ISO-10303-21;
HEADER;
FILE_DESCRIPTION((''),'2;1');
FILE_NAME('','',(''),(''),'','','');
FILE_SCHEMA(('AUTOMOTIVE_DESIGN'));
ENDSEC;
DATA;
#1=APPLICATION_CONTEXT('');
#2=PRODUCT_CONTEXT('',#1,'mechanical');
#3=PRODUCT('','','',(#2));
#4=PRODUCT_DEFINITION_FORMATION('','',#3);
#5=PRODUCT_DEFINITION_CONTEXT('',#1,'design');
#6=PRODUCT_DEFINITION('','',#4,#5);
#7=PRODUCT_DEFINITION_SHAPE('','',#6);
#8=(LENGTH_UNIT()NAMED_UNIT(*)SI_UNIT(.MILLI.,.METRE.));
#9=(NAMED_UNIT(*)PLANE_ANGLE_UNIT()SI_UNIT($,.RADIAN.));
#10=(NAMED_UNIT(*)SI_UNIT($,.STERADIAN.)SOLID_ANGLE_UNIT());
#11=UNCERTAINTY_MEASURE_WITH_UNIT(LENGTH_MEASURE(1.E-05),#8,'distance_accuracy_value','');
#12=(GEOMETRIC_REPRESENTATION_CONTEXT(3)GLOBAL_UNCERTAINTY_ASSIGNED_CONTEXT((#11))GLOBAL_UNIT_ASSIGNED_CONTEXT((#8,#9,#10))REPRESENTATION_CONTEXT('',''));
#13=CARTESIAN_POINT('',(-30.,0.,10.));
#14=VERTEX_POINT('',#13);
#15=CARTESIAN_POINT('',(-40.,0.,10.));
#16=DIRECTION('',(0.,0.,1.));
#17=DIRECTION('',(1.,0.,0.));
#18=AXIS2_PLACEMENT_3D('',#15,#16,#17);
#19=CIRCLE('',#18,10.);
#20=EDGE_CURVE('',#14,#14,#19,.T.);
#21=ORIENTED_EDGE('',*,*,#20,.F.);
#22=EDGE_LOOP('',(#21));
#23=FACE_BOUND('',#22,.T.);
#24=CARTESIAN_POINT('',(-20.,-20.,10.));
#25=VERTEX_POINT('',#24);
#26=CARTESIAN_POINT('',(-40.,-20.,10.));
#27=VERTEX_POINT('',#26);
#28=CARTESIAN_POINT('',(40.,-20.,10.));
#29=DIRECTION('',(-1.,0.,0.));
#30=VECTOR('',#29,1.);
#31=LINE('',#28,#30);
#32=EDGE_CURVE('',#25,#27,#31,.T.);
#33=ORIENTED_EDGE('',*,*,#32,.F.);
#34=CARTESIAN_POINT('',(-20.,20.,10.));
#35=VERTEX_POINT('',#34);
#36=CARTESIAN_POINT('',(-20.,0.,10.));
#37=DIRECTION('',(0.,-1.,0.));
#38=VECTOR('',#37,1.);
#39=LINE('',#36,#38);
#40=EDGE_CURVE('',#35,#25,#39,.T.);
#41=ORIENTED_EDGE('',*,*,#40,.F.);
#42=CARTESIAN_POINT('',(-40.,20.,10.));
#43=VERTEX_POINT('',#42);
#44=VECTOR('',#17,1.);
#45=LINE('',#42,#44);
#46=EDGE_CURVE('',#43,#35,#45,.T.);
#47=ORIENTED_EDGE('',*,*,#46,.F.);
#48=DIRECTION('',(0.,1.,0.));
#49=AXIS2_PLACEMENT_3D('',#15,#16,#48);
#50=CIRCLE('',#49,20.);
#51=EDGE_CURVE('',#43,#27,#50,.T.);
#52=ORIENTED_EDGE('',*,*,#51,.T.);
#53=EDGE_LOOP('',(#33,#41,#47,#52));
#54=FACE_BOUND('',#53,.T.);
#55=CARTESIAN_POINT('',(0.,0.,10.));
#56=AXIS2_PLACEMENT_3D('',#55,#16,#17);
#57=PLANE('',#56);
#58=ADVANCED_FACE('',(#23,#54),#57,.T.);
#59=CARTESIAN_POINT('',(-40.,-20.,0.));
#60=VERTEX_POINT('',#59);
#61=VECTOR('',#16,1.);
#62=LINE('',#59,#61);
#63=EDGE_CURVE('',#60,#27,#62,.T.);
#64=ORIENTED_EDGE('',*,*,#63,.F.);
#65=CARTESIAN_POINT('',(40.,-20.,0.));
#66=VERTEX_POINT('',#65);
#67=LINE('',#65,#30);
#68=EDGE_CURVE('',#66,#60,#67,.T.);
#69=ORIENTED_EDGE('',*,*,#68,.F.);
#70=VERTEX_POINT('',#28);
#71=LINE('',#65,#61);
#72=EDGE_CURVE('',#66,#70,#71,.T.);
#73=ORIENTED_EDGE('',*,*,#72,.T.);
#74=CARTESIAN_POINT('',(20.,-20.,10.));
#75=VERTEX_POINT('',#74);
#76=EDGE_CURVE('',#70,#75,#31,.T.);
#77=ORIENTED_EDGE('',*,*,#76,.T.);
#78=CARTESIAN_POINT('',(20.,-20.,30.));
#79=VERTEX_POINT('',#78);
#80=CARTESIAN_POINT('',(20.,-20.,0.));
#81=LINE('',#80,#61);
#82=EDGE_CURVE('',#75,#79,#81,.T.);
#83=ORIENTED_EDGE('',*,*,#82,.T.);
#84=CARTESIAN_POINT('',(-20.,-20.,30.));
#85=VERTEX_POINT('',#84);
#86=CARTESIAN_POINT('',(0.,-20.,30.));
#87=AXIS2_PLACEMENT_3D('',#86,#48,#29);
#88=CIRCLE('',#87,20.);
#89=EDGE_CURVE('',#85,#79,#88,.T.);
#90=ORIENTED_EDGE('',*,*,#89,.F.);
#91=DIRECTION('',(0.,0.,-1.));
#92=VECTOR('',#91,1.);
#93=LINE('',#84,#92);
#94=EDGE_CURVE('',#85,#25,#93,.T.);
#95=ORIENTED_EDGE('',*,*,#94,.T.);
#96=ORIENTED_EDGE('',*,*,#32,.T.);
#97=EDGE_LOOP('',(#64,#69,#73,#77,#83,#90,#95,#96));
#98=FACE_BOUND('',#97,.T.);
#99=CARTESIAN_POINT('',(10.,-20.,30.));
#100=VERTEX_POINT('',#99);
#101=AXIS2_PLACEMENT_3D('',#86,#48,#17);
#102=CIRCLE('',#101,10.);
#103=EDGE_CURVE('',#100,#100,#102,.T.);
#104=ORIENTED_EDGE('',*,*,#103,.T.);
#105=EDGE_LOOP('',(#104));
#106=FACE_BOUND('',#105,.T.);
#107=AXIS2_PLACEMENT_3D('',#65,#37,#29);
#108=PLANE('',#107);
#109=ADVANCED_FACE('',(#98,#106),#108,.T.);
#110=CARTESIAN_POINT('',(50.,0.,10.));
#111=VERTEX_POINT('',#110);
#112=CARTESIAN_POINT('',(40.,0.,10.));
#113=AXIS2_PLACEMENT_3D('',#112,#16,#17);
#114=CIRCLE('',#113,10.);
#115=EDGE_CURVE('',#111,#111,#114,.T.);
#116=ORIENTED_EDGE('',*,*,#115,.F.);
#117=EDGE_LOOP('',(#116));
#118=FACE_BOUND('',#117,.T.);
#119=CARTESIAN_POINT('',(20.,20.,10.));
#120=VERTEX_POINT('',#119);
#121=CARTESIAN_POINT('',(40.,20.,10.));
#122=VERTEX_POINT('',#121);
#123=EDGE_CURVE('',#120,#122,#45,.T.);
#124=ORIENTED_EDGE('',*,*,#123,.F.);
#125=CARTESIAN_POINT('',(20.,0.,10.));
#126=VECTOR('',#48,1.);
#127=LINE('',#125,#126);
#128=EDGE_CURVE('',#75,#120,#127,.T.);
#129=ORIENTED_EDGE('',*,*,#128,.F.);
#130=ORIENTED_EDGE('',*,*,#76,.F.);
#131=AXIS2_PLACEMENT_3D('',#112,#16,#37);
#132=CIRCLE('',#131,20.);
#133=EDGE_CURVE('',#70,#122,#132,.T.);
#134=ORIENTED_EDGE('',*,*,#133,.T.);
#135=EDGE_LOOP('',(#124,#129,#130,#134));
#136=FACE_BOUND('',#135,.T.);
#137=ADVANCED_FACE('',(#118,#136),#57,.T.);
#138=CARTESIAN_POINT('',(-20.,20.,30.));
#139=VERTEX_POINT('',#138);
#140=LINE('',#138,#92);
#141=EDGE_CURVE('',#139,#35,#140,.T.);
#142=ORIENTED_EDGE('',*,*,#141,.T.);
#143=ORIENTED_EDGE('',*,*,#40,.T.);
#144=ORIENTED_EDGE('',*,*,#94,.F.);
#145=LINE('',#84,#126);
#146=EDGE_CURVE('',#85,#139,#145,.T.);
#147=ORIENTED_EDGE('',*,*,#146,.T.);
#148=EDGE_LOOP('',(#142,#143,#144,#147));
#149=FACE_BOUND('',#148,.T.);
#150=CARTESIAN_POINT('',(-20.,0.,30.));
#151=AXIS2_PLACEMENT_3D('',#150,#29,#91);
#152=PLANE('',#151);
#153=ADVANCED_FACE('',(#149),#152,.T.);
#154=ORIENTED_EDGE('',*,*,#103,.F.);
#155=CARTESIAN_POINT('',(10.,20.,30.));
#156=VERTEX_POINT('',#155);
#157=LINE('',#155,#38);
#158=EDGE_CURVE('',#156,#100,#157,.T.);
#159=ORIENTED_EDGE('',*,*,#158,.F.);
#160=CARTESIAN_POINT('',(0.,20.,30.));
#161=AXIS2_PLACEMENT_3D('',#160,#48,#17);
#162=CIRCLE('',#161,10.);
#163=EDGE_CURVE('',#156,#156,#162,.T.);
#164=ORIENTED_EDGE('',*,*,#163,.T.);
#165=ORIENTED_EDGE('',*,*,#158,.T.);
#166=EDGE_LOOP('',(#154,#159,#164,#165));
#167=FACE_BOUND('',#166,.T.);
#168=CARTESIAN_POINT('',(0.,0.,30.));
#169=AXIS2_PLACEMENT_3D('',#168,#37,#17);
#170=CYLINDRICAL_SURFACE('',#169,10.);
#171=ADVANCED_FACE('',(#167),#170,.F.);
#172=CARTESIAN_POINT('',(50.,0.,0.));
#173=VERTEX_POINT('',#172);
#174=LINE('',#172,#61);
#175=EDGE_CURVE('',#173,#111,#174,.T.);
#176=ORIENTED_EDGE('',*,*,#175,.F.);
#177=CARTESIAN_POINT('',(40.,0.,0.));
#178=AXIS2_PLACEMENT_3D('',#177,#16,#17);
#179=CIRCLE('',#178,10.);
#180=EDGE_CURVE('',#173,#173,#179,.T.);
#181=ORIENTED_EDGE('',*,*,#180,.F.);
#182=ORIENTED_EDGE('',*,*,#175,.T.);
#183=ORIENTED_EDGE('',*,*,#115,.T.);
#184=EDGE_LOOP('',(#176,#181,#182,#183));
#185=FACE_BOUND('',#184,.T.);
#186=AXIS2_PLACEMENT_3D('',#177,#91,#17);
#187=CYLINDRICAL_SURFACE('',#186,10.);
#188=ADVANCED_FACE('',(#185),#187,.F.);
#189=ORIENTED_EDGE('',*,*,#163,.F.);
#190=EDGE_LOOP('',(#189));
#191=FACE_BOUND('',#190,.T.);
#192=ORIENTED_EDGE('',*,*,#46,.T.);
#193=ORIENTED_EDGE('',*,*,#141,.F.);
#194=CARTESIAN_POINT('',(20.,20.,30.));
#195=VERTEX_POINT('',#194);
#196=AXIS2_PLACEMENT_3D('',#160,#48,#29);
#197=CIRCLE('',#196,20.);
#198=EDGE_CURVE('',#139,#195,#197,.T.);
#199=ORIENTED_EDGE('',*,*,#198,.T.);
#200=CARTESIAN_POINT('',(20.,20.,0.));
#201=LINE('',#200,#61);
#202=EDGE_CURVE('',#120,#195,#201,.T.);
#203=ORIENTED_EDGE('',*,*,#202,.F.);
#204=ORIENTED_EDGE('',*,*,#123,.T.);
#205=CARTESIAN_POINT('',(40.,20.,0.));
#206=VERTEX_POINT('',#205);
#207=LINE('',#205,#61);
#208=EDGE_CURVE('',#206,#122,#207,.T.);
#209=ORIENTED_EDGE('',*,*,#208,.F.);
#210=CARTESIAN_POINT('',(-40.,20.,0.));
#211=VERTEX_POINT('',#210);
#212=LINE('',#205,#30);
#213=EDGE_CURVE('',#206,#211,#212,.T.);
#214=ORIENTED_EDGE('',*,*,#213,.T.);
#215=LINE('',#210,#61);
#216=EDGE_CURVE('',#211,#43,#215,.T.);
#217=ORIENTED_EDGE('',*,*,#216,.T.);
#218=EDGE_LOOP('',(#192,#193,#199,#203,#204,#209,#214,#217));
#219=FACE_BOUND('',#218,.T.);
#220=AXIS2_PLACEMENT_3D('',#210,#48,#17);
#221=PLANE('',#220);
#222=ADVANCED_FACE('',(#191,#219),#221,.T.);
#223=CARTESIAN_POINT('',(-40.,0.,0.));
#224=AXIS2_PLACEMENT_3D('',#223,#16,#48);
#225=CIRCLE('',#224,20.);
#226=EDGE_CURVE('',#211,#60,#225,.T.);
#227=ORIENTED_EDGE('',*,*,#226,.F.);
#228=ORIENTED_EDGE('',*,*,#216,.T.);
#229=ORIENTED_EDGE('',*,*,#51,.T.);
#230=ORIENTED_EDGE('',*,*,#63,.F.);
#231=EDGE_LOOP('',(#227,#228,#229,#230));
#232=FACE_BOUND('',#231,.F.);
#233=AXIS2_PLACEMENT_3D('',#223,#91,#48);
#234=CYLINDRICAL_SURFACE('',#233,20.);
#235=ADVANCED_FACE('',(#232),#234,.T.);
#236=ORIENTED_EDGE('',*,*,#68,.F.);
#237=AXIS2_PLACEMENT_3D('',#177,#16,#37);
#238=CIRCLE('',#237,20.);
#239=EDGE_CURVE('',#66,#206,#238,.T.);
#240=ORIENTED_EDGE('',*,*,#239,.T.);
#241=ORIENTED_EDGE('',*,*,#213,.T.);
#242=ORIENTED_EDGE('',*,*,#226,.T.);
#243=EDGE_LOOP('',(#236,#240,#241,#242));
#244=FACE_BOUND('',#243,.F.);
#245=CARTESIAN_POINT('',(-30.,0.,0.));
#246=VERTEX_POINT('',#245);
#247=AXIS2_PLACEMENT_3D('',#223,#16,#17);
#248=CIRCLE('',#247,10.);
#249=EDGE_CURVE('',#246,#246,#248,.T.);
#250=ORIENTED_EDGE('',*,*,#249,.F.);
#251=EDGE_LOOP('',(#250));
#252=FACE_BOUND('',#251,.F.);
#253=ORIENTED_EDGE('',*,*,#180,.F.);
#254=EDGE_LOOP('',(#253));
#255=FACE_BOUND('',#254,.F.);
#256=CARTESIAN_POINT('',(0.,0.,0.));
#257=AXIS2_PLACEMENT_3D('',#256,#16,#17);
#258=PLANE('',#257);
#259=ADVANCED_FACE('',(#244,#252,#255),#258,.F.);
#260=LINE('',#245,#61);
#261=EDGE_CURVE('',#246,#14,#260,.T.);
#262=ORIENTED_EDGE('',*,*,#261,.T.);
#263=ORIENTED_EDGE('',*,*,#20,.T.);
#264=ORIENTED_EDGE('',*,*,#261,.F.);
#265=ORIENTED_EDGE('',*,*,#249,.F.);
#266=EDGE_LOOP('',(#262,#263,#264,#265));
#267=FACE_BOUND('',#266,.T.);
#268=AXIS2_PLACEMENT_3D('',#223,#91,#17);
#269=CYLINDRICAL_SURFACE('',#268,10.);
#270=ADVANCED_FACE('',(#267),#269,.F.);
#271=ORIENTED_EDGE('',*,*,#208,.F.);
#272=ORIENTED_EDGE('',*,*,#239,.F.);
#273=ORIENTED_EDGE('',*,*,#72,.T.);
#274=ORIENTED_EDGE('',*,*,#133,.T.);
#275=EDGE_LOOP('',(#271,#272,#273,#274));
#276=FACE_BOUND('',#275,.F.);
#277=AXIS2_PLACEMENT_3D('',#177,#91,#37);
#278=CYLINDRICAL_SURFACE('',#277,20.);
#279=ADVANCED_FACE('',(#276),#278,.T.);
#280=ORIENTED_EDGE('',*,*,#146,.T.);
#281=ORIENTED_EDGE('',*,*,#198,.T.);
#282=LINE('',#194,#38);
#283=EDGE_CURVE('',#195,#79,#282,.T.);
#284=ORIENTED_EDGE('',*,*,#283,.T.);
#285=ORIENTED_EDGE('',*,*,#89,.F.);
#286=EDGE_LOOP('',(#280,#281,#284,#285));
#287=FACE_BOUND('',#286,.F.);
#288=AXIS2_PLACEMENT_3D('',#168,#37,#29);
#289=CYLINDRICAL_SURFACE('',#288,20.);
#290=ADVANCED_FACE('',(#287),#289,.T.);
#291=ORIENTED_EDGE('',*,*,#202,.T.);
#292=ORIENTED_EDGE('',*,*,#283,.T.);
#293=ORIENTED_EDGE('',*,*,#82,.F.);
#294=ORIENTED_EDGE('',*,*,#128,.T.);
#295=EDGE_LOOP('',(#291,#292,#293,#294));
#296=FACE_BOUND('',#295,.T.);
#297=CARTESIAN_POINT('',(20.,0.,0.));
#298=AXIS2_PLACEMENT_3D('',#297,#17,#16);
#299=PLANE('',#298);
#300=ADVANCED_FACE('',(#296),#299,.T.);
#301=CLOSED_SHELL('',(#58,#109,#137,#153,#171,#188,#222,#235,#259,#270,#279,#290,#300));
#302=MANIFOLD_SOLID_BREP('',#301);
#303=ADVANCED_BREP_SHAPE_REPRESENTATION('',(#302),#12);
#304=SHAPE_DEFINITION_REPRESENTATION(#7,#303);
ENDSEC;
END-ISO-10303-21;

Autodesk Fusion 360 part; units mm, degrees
sketch "Base_Sketch" plane through (0, 0, 0) normal (0, 0, 1) x (1, 0, 0)
  line L0 (-40, 20) -> (40, 20)
  line L1 (40, -20) -> (-40, -20)
  circle A0 centre (40, 0) radius 10
  circle A1 centre (-40, 0) radius 10
  arc A2 (-40, 20) -> (-40, -20) centre (-40, 0) ccw
  arc A3 (40, -20) -> (40, 20) centre (40, 0) ccw
  dimension "d1" = 80
  dimension "d2" = 40
  dimension "d5" = 40
  dimension "d6" = 40
extrude "Extrude1" add sketch "Base_Sketch" along normal blind 10
sketch "Vertical_Sketch" plane through (0, 0, 0) normal (0, 1, 0) x (1, 0, 0)
  line L0 (-20, 0) -> (20, 0)
  line L1 (20, 0) -> (20, -30)
  line L2 (-20, -30) -> (-20, 0)
  line L3 (-40, 0) -> (-40, -10)
  circle A0 centre (0, -30) radius 10
  arc A1 (-20, -30) -> (20, -30) centre (0, -30) ccw
  dimension "d11" = 40
  dimension "d12" = 30
  dimension "d13" = 20
  dimension "d14" = 40
  dimension "d15" = 20
extrude "Extrude2" add sketch "Vertical_Sketch" along normal mid plane 40
